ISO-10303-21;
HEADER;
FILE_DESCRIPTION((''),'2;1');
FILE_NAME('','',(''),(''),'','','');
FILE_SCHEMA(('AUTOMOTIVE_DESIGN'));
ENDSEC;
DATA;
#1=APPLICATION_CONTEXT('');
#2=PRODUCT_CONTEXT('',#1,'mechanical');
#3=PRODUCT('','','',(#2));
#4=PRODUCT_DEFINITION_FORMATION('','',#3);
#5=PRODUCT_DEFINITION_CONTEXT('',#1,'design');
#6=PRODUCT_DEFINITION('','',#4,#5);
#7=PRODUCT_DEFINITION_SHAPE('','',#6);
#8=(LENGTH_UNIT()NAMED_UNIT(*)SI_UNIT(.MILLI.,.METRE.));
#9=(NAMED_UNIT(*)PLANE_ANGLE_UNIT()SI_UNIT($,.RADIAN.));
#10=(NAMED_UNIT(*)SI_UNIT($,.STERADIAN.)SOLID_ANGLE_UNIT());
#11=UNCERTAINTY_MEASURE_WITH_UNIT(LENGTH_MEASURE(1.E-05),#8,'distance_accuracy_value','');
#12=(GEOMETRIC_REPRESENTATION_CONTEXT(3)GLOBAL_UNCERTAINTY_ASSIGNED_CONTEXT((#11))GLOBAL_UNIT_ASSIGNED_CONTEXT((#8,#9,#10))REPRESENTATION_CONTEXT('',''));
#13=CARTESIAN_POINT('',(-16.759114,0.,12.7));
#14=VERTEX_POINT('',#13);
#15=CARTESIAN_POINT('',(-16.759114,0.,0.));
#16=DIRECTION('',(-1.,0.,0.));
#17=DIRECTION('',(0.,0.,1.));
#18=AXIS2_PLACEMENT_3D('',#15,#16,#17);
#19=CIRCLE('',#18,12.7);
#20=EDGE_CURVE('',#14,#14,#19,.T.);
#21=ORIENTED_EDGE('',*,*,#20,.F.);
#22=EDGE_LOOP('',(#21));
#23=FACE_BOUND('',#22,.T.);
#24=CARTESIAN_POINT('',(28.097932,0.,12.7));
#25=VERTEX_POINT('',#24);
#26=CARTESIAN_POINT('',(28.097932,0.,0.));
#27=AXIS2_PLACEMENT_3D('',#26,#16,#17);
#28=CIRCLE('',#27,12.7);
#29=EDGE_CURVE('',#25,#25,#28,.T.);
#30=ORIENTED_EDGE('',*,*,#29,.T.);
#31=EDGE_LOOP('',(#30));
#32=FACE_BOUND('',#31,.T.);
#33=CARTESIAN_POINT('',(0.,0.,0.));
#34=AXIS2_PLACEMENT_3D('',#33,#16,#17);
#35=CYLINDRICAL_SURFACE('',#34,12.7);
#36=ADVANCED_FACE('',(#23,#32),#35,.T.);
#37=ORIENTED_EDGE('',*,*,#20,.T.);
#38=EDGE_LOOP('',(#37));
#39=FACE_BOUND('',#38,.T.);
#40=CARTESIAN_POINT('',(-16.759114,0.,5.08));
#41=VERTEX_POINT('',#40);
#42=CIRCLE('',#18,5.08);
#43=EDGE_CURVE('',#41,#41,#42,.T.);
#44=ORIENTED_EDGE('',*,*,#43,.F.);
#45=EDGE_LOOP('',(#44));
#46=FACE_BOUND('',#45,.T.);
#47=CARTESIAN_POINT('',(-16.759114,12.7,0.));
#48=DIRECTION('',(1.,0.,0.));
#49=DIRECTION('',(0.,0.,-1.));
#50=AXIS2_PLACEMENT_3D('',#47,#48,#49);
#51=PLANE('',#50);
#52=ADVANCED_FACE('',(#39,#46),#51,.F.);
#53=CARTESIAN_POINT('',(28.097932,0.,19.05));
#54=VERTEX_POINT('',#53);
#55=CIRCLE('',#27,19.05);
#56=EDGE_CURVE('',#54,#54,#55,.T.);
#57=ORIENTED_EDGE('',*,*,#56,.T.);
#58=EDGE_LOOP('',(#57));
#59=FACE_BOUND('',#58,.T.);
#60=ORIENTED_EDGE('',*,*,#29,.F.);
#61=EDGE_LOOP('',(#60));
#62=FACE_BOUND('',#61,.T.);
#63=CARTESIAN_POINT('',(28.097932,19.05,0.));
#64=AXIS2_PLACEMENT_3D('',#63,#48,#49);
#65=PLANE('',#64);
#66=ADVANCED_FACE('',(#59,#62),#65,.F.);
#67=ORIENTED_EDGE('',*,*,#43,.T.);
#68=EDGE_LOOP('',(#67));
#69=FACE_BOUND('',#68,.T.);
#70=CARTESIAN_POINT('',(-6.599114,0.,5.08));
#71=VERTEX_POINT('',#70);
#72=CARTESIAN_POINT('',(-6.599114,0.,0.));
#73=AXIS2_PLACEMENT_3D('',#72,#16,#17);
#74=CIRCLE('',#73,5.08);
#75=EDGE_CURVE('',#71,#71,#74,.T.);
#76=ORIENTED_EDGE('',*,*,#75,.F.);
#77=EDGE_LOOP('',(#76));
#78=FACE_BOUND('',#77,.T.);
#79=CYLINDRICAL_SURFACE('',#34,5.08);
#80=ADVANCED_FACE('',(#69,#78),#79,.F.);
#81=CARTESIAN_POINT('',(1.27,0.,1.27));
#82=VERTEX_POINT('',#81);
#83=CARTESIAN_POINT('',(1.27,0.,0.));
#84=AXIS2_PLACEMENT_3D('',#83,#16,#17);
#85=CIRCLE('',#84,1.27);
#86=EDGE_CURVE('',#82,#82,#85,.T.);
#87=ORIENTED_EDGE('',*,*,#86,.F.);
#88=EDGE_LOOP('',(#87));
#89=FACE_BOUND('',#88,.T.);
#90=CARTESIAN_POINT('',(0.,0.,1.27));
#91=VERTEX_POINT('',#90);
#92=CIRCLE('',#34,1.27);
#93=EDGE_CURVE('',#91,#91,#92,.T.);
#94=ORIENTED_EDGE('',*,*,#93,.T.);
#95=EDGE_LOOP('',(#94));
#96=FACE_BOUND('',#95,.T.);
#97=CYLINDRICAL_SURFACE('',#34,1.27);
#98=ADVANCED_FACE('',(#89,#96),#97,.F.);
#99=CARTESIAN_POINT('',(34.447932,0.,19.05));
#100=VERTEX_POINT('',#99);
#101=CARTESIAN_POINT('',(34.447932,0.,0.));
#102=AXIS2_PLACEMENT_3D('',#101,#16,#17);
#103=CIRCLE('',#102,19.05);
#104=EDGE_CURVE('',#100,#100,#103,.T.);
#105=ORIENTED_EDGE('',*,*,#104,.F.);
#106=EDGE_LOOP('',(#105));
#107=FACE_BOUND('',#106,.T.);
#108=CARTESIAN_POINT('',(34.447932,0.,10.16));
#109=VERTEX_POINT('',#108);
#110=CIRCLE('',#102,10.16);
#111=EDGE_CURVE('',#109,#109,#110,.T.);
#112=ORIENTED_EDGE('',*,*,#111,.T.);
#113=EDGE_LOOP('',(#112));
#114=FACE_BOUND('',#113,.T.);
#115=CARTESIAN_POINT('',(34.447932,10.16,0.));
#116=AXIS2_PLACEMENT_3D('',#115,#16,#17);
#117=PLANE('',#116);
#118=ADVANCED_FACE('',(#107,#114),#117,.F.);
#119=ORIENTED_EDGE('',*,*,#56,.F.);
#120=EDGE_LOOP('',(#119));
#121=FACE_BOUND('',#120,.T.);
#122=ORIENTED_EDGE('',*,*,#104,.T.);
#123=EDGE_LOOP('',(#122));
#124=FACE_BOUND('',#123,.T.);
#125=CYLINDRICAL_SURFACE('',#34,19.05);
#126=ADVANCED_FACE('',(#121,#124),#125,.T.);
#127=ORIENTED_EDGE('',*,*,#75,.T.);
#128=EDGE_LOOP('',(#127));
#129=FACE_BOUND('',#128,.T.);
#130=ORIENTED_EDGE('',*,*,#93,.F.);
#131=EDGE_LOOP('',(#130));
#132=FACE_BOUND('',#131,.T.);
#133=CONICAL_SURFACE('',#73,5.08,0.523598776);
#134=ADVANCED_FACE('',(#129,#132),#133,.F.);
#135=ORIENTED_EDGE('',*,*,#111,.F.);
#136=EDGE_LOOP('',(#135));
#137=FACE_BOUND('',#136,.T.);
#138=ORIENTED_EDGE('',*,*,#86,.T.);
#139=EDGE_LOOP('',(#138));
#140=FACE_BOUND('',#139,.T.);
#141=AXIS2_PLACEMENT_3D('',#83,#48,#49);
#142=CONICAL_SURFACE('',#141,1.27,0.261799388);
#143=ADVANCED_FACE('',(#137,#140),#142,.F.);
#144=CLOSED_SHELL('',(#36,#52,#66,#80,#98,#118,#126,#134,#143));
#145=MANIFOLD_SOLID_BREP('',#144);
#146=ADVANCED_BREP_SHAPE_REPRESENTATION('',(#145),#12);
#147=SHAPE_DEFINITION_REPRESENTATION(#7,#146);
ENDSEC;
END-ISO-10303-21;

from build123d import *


with BuildPart() as part:
    # Sketch1 → Revolve1 (revolve)
    with BuildSketch(Plane.XY):
        Polygon((-16.759113577, 5.08), (-6.599113577, 5.08), (0, 1.27), (1.27, 1.27), (34.447931679, 10.16), (34.447931679, 19.05), (28.097931679, 19.05), (28.097931679, 12.7), (-16.759113577, 12.7), align=None)
    revolve(axis=Axis((0, 0, 0), (1, 0, 0)))


solid = part.part
